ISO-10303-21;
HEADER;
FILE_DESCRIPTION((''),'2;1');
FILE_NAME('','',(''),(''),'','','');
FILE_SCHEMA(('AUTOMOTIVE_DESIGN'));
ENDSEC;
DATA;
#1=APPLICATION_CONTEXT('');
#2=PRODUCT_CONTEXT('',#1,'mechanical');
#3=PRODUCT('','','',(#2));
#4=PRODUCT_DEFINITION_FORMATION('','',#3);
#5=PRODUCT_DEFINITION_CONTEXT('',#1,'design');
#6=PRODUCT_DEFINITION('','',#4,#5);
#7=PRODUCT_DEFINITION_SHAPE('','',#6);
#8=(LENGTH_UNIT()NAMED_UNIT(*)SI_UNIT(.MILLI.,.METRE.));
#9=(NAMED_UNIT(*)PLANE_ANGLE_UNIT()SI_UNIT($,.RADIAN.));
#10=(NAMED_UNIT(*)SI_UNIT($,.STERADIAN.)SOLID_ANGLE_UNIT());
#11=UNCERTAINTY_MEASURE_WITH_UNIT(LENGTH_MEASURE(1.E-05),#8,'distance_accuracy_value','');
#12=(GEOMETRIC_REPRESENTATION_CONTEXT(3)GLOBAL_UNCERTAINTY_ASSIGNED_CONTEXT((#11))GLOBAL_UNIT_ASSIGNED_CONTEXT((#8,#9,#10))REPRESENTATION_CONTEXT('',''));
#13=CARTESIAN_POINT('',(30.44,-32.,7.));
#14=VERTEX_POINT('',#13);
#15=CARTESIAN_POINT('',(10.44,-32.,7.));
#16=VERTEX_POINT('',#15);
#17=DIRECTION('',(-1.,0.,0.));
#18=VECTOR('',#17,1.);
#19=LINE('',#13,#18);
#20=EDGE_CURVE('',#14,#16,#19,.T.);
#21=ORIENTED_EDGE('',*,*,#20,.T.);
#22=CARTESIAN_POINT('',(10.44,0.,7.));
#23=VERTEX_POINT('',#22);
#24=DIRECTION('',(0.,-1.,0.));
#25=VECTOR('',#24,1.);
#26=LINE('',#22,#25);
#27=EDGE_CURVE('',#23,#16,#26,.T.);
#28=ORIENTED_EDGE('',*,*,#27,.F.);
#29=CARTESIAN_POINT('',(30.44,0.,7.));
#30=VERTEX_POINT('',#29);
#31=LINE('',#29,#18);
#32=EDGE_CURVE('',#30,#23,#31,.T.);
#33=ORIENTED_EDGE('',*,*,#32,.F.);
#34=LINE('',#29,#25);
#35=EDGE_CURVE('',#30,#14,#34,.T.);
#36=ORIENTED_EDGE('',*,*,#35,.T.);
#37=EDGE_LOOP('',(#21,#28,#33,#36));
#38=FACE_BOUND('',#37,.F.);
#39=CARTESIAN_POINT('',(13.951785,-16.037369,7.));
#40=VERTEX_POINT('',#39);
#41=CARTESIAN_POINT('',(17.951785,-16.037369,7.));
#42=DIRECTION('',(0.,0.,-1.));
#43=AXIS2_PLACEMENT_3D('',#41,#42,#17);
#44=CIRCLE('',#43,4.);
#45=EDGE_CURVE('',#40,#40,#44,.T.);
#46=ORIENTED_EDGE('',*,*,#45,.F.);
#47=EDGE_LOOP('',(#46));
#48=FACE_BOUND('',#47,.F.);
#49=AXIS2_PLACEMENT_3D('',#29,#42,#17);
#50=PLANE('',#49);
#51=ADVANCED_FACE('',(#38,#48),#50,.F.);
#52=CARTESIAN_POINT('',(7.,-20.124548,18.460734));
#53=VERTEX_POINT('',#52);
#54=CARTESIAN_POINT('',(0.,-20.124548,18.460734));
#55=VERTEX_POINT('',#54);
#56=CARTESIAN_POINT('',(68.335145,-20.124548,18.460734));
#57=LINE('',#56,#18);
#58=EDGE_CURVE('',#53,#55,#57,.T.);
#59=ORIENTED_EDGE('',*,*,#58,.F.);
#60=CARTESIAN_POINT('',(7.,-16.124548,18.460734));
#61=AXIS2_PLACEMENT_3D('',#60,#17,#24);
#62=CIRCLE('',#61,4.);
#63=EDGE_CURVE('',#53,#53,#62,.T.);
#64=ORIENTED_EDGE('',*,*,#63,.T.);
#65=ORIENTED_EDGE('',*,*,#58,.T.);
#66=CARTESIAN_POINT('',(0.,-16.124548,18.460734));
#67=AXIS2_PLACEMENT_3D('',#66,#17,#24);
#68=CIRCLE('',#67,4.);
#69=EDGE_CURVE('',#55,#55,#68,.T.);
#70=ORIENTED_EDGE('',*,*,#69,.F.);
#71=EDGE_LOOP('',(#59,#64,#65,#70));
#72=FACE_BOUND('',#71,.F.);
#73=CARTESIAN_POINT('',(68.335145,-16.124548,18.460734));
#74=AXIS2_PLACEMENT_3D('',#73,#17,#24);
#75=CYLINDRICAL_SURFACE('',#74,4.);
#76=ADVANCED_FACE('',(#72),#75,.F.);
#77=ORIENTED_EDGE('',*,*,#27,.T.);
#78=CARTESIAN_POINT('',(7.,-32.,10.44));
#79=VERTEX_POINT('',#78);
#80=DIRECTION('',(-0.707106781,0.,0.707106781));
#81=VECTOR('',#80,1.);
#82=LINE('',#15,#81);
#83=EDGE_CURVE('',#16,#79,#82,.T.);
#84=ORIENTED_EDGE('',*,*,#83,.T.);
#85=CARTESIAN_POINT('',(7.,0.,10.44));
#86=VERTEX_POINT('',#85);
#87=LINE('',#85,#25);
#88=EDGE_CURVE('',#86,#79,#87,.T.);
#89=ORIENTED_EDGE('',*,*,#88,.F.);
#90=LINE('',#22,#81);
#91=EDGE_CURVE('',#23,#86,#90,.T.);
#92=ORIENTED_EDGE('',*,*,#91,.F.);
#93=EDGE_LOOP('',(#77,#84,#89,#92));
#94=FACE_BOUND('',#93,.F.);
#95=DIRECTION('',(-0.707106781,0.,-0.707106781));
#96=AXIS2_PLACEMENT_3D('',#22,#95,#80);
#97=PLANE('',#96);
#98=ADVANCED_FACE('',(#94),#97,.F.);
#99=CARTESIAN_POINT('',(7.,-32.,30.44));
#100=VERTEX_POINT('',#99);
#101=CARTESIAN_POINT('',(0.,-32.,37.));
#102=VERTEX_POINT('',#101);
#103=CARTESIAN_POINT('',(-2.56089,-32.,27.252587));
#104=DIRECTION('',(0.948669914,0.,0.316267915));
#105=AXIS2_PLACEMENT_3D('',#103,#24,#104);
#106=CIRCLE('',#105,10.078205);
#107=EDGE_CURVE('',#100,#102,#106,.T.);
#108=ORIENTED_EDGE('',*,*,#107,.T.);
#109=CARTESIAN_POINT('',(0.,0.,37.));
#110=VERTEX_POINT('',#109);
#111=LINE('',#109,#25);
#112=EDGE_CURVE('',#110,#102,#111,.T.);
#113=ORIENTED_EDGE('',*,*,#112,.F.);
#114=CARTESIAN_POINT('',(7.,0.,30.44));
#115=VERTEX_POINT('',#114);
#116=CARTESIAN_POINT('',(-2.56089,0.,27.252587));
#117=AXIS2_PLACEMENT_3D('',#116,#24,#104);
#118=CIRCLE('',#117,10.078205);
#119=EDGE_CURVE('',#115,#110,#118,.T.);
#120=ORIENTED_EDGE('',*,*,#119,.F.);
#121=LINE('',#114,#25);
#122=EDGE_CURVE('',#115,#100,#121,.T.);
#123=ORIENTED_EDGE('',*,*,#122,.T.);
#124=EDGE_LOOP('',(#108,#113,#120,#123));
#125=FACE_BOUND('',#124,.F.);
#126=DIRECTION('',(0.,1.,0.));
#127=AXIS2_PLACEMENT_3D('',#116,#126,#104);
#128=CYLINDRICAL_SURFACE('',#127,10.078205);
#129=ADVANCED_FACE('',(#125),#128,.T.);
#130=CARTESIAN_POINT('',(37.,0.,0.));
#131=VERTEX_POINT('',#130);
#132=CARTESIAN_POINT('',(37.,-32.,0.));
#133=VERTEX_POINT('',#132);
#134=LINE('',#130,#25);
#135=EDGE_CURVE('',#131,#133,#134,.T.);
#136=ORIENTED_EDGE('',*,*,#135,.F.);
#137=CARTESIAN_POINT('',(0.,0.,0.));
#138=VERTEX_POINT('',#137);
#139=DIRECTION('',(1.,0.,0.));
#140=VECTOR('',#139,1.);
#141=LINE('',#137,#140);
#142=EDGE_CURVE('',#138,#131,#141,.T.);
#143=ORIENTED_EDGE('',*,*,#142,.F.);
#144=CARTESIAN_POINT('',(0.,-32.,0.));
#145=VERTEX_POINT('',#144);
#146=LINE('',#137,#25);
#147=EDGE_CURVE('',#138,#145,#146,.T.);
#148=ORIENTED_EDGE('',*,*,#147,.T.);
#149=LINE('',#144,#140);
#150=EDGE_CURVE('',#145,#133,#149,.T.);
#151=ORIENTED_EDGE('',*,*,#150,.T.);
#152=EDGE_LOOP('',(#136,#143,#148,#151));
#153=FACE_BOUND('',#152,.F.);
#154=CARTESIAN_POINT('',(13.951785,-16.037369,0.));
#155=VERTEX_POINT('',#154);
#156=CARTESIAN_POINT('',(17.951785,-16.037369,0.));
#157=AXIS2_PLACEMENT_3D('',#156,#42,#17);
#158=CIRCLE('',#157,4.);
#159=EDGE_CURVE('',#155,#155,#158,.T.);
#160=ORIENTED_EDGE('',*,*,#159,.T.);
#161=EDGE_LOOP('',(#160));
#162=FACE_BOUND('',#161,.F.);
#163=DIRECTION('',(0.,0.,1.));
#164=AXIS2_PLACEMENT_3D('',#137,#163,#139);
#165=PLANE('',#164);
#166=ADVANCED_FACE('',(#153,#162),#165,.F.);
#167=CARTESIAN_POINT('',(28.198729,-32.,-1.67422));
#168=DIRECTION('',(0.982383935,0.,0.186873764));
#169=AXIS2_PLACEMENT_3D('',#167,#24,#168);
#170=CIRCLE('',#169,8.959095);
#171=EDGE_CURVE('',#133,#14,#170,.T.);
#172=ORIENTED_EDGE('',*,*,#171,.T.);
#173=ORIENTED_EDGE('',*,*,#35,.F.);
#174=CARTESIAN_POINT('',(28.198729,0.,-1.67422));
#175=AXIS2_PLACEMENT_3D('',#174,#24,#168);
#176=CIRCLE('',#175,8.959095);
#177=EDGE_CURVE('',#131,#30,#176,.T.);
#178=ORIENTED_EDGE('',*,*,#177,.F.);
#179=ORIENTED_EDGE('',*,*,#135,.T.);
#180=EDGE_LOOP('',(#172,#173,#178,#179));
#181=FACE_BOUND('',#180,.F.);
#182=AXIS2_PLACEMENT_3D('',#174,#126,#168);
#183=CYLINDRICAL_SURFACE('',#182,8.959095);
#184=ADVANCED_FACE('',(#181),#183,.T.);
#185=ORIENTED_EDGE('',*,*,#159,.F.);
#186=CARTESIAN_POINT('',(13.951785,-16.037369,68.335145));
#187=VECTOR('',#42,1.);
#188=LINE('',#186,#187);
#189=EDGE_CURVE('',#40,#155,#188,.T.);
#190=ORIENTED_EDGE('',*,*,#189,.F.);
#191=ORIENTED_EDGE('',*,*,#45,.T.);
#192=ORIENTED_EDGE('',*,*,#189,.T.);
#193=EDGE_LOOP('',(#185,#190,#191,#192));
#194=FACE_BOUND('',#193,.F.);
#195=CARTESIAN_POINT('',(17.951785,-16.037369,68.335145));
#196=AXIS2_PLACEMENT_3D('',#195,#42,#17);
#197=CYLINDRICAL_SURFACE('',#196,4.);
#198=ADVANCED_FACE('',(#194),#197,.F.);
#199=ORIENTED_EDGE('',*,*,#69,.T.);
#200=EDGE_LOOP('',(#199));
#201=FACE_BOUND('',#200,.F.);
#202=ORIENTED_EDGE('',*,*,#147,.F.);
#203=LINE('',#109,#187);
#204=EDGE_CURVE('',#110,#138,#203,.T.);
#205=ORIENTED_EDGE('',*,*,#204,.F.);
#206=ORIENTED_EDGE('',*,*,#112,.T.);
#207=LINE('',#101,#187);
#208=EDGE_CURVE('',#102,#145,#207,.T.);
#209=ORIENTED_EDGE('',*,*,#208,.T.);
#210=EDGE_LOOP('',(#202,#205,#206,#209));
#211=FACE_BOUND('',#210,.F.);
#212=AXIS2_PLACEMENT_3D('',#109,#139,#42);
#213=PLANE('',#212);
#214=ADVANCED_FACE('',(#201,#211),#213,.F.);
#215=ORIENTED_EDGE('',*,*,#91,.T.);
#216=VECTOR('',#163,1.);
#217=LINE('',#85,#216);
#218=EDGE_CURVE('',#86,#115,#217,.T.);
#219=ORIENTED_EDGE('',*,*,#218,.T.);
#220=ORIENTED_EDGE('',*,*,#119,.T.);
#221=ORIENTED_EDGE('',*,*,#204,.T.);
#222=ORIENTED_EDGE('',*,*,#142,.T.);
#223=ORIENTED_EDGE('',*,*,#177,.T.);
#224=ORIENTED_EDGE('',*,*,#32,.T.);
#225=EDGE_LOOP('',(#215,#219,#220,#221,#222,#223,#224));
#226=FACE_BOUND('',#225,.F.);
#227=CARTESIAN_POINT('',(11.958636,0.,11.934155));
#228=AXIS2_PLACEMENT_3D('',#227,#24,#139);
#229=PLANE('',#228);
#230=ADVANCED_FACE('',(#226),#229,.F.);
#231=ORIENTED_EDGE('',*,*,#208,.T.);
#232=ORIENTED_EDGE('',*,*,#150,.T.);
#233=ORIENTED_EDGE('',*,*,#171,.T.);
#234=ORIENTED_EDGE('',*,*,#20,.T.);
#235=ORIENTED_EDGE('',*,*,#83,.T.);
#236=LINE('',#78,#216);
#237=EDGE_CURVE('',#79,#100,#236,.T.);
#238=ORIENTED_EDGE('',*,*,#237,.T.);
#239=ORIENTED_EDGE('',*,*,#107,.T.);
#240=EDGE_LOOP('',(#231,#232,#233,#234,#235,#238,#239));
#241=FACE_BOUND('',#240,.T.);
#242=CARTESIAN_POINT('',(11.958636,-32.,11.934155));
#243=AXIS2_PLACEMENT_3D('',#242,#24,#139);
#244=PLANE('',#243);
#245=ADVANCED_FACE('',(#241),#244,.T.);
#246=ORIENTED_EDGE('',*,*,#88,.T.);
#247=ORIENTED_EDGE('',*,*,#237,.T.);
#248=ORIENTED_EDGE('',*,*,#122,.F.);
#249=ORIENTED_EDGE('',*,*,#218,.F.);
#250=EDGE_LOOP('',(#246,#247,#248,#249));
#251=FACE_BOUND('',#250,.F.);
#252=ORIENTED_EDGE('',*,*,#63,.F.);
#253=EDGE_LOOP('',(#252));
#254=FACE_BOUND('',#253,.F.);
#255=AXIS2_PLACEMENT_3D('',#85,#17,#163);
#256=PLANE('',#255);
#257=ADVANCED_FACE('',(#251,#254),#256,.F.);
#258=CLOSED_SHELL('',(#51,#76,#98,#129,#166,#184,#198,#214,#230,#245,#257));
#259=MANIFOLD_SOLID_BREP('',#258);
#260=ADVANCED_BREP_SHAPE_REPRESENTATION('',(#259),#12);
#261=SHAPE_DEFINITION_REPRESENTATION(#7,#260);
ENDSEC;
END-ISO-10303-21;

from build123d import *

# Parameters (mm, degrees)
F1_DEPTH = 32
F4_D     = 8
F5_D     = 8


with BuildPart() as f1:
    # F0 (on Front) → F1 (new body)
    with BuildSketch(Plane.XZ):
        with BuildLine():
            Line((0, 37), (0, 0))
            Line((0, 0), (37, 0))
            ThreePointArc((37, 0), (34.735887, 4.452031), (30.44, 7))
            Line((30.44, 7), (10.44, 7))
            Line((10.44, 7), (7, 10.44))
            Line((7, 10.44), (7, 30.44))
            ThreePointArc((7, 30.44), (4.330611, 34.606323), (0, 37))
        make_face()
    extrude(amount=F1_DEPTH)

    # F4 (through all)
    with Locations(Plane.YZ.offset(7)):
        with Locations((-16.124548, 18.460734)):
            Hole(F4_D / 2)

    # F5 (through all)
    with Locations(Plane.XY.offset(7)):
        with Locations((17.951785, -16.037369)):
            Hole(F5_D / 2)


solid = f1.part
